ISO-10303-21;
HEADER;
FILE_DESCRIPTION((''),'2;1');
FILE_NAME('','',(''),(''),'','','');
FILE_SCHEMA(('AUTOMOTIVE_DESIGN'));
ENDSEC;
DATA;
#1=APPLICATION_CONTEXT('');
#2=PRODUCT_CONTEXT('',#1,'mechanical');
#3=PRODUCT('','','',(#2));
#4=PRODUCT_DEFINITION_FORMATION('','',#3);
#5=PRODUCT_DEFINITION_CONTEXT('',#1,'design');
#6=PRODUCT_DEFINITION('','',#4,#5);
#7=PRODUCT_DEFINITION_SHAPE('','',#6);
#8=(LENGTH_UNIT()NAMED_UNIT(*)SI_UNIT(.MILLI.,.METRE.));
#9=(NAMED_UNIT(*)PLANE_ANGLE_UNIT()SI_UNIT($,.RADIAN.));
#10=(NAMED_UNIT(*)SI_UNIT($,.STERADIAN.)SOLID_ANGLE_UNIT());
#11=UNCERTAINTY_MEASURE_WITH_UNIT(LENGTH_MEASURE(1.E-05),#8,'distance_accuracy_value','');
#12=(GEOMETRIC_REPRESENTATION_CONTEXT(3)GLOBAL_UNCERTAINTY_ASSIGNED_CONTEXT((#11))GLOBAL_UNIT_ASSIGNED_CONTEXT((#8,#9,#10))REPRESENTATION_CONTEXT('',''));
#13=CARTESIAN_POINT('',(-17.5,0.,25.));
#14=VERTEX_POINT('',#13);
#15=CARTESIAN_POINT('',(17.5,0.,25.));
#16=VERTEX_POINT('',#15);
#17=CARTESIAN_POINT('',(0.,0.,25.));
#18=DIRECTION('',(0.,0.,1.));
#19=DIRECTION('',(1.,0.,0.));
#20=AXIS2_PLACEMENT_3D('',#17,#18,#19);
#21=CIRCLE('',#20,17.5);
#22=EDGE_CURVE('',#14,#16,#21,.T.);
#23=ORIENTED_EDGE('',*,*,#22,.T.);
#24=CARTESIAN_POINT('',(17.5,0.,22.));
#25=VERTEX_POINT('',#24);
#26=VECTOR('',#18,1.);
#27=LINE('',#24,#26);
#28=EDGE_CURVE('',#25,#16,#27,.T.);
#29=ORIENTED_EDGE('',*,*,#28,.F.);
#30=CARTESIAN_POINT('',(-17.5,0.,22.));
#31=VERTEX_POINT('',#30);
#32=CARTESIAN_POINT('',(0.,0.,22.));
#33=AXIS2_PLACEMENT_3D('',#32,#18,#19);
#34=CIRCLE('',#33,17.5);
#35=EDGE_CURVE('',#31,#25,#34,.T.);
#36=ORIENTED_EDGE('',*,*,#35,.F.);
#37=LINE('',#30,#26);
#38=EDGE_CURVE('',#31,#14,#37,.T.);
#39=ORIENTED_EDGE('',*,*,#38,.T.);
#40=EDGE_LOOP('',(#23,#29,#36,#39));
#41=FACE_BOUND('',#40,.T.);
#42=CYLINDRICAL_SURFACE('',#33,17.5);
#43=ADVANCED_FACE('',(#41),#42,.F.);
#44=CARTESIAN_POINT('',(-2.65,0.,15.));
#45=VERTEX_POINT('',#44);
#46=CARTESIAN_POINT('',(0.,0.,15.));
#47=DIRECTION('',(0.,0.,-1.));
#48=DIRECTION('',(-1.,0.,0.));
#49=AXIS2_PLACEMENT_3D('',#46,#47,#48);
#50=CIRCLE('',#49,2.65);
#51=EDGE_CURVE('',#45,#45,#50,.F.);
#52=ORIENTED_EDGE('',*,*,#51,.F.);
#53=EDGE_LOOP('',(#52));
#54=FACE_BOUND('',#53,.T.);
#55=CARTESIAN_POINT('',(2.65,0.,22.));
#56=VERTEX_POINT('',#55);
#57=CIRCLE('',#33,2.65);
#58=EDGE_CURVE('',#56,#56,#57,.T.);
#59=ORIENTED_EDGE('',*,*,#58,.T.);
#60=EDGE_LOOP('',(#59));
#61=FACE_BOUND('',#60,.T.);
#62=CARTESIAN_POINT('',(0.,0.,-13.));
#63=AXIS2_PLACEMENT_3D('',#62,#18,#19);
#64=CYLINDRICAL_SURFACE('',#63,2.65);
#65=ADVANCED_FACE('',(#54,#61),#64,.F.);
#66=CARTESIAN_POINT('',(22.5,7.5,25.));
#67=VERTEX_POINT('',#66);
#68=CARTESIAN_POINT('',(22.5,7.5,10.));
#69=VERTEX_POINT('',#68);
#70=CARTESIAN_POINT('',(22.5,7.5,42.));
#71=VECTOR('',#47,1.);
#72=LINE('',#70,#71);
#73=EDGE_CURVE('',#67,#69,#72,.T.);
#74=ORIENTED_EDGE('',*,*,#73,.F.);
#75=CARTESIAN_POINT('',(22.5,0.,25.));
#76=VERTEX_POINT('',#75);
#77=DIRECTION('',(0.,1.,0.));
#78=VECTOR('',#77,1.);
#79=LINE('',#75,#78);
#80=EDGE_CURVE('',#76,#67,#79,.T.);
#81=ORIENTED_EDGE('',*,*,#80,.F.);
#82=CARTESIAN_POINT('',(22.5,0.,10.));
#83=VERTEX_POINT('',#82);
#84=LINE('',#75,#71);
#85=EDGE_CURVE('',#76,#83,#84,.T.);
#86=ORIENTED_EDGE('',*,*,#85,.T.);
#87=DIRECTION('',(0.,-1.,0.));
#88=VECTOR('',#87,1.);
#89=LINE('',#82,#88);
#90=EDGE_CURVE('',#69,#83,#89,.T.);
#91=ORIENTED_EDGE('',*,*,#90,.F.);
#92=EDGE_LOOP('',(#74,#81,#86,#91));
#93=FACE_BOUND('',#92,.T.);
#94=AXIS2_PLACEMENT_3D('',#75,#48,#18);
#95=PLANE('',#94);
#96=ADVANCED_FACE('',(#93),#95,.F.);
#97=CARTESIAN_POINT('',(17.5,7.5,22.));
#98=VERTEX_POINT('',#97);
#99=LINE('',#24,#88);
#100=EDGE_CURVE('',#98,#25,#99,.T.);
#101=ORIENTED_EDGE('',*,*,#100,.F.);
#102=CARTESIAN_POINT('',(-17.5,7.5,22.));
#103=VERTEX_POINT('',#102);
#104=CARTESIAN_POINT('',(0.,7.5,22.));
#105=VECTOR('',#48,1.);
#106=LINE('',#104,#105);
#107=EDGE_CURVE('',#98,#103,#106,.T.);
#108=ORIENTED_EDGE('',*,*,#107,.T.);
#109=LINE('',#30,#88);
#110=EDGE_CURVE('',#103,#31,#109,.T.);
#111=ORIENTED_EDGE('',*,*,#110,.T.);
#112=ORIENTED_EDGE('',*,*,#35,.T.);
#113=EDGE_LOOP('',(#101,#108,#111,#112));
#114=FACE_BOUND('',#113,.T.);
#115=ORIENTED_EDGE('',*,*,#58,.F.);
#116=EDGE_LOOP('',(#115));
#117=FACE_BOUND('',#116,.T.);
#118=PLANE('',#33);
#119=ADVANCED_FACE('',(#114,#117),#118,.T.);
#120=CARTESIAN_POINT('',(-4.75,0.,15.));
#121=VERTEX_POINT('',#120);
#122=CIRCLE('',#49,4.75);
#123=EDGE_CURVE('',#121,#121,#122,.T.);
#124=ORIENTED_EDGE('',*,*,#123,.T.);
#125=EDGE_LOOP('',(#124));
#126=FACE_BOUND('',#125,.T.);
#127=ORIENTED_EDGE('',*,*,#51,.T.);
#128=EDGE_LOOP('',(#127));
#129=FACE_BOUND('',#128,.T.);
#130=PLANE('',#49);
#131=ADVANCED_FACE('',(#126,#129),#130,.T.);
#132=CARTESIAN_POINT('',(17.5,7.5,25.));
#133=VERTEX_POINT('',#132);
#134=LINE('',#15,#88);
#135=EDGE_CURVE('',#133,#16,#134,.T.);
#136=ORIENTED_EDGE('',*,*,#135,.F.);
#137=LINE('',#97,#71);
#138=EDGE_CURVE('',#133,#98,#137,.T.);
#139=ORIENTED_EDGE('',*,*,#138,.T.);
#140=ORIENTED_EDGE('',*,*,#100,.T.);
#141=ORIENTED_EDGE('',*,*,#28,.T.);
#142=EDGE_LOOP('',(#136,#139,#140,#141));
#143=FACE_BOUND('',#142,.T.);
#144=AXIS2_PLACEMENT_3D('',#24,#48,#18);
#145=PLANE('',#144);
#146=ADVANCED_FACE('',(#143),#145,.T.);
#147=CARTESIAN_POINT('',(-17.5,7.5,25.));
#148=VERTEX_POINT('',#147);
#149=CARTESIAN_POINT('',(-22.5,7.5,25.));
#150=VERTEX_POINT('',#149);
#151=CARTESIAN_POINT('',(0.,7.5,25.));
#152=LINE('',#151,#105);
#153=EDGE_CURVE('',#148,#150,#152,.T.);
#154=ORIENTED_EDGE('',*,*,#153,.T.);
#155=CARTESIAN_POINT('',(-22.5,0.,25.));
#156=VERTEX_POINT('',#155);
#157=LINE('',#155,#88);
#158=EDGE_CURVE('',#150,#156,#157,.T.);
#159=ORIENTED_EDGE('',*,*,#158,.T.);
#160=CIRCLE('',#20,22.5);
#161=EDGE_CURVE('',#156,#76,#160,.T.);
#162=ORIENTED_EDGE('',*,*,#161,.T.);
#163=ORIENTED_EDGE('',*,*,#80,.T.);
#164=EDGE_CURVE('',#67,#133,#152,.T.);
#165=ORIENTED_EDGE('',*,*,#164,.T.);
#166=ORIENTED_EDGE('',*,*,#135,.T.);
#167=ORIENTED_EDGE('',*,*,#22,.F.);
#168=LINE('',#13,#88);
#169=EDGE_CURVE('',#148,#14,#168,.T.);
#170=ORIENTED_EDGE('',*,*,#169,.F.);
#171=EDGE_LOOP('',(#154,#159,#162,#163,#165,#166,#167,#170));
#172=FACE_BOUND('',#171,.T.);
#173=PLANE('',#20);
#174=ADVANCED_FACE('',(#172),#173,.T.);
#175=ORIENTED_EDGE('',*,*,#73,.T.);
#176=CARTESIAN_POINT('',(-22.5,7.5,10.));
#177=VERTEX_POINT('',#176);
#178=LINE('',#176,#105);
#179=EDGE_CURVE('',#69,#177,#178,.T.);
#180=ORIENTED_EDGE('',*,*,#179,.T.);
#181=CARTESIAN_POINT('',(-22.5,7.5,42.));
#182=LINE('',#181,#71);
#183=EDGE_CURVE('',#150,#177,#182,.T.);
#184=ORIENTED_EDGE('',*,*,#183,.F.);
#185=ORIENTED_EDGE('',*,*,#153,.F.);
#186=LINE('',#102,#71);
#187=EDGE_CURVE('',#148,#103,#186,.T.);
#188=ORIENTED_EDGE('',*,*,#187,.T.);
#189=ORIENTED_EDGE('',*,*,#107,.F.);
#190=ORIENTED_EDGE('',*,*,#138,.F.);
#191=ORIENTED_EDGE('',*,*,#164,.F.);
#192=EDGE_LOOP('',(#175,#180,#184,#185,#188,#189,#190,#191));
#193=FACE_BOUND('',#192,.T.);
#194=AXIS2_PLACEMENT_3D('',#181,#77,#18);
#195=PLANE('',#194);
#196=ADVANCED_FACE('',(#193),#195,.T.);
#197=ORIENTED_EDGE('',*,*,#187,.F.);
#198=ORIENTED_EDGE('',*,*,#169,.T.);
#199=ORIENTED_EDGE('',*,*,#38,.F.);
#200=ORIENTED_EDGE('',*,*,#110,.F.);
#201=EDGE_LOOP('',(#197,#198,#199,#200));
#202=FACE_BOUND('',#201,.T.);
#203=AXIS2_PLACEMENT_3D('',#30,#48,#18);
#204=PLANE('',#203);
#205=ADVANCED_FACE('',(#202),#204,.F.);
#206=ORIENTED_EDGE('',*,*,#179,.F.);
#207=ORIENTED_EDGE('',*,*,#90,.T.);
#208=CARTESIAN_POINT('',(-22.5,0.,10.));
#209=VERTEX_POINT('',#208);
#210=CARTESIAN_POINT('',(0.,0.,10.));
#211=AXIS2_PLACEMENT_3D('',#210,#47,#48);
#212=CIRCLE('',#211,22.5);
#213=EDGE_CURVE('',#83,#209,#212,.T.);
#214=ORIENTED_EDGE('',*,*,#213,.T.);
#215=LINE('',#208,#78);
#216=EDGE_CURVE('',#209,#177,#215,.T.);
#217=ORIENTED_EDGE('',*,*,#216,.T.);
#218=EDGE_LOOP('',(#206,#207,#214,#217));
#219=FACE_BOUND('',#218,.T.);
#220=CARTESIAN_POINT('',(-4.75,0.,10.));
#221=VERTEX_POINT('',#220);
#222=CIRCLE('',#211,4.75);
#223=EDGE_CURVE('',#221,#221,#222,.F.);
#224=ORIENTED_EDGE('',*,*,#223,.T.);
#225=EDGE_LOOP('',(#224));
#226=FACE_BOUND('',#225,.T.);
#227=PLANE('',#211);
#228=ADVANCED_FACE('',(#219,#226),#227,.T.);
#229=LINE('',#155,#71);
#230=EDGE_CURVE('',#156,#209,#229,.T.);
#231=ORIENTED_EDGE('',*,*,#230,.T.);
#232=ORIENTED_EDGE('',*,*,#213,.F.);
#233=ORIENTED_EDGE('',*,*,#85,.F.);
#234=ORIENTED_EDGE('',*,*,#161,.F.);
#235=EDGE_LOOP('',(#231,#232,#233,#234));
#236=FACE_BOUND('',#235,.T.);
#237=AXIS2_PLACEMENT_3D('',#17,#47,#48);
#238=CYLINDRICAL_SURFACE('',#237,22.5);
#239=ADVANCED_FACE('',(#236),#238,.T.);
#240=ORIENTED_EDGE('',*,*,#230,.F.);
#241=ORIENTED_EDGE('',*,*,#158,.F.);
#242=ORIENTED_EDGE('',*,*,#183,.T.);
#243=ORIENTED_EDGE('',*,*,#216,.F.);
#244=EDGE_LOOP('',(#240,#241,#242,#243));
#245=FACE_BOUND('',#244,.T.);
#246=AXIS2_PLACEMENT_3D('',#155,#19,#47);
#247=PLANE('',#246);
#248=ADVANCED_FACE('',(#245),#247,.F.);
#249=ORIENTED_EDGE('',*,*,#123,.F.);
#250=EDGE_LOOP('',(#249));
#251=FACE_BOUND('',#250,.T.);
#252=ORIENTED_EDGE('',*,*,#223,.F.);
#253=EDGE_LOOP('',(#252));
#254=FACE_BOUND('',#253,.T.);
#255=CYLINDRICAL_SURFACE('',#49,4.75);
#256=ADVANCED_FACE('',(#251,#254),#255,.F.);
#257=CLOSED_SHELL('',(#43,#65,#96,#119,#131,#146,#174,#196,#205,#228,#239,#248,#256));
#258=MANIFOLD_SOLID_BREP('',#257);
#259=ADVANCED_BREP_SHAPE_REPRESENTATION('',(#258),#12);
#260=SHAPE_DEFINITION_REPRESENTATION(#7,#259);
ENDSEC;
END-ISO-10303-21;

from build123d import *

# Parameters (mm, degrees)
EXTRUDE_1_DEPTH          = 25
CUT_EXTRUDE_1_DEPTH      = 3
CUT_EXTRUDE_2_DEPTH      = 20
CUT_EXTRUDE_2_DEPTH_BACK = 35
SKETCH_3_W               = 45
SKETCH_3_H               = 15
SKETCH_4_R               = 2.65
CUT_EXTRUDE_3_DEPTH      = 35
SKETCH_5_R               = 4.75
CUT_EXTRUDE_4_DEPTH      = 15
SKETCH_6_R               = 24.891831438
CUT_EXTRUDE_5_DEPTH      = 10


with BuildPart() as part:
    # 草图1 → 凸台-拉伸1 (new body)
    with BuildSketch(Plane.XY):
        with BuildLine():
            Line((-22.5, 0), (-22.5, 22.5))
            Line((-22.5, 22.5), (22.5, 22.5))
            Line((22.5, 22.5), (22.5, 0))
            ThreePointArc((22.5, 0), (0, -22.5), (-22.5, 0))
        make_face()
    extrude(amount=EXTRUDE_1_DEPTH)

    # 草图2 → 切除-拉伸1 (cut)
    with BuildSketch(Plane.XY.offset(25)):
        with BuildLine():
            Line((17.5, 22.5), (-17.5, 22.5))
            Line((-17.5, 22.5), (-17.5, 0))
            ThreePointArc((-17.5, 0), (0, 17.5), (17.5, 0))
            Line((17.5, 0), (17.5, 22.5))
        make_face()
        with BuildLine():
            ThreePointArc((17.5, 0), (0, 17.5), (-17.5, 0))
            Line((-17.5, 0), (17.5, 0))
        make_face()
        with BuildLine():
            Line((17.5, 0), (-17.5, 0))
            ThreePointArc((-17.5, 0), (0, -17.5), (17.5, 0))
        make_face()
    extrude(amount=-CUT_EXTRUDE_1_DEPTH, mode=Mode.SUBTRACT)

    # 草图3 → 切除-拉伸2 (cut, two sides: drawn at the far end of the back side and taken through both)
    with BuildSketch(Plane.XY.offset(22).offset(-CUT_EXTRUDE_2_DEPTH_BACK)):
        with Locations((0, 15)):
            Rectangle(SKETCH_3_W, SKETCH_3_H)
    extrude(amount=CUT_EXTRUDE_2_DEPTH + CUT_EXTRUDE_2_DEPTH_BACK, mode=Mode.SUBTRACT)

    # 草图4 → 切除-拉伸3 (cut)
    with BuildSketch(Plane.XY.offset(22)):
        Circle(SKETCH_4_R)
    extrude(amount=-CUT_EXTRUDE_3_DEPTH, mode=Mode.SUBTRACT)

    # 草图5 → 切除-拉伸4 (cut)
    with BuildSketch(Plane(origin=(0, 0, 0), x_dir=(-1, 0, 0), z_dir=(0, 0, -1))):
        Circle(SKETCH_5_R)
    extrude(amount=-CUT_EXTRUDE_4_DEPTH, mode=Mode.SUBTRACT)

    # 草图6 → 切除-拉伸5 (cut)
    with BuildSketch(Plane(origin=(0, 0, 0), x_dir=(-1, 0, 0), z_dir=(0, 0, -1))):
        Circle(SKETCH_6_R)
    extrude(amount=-CUT_EXTRUDE_5_DEPTH, mode=Mode.SUBTRACT)


solid = part.part
